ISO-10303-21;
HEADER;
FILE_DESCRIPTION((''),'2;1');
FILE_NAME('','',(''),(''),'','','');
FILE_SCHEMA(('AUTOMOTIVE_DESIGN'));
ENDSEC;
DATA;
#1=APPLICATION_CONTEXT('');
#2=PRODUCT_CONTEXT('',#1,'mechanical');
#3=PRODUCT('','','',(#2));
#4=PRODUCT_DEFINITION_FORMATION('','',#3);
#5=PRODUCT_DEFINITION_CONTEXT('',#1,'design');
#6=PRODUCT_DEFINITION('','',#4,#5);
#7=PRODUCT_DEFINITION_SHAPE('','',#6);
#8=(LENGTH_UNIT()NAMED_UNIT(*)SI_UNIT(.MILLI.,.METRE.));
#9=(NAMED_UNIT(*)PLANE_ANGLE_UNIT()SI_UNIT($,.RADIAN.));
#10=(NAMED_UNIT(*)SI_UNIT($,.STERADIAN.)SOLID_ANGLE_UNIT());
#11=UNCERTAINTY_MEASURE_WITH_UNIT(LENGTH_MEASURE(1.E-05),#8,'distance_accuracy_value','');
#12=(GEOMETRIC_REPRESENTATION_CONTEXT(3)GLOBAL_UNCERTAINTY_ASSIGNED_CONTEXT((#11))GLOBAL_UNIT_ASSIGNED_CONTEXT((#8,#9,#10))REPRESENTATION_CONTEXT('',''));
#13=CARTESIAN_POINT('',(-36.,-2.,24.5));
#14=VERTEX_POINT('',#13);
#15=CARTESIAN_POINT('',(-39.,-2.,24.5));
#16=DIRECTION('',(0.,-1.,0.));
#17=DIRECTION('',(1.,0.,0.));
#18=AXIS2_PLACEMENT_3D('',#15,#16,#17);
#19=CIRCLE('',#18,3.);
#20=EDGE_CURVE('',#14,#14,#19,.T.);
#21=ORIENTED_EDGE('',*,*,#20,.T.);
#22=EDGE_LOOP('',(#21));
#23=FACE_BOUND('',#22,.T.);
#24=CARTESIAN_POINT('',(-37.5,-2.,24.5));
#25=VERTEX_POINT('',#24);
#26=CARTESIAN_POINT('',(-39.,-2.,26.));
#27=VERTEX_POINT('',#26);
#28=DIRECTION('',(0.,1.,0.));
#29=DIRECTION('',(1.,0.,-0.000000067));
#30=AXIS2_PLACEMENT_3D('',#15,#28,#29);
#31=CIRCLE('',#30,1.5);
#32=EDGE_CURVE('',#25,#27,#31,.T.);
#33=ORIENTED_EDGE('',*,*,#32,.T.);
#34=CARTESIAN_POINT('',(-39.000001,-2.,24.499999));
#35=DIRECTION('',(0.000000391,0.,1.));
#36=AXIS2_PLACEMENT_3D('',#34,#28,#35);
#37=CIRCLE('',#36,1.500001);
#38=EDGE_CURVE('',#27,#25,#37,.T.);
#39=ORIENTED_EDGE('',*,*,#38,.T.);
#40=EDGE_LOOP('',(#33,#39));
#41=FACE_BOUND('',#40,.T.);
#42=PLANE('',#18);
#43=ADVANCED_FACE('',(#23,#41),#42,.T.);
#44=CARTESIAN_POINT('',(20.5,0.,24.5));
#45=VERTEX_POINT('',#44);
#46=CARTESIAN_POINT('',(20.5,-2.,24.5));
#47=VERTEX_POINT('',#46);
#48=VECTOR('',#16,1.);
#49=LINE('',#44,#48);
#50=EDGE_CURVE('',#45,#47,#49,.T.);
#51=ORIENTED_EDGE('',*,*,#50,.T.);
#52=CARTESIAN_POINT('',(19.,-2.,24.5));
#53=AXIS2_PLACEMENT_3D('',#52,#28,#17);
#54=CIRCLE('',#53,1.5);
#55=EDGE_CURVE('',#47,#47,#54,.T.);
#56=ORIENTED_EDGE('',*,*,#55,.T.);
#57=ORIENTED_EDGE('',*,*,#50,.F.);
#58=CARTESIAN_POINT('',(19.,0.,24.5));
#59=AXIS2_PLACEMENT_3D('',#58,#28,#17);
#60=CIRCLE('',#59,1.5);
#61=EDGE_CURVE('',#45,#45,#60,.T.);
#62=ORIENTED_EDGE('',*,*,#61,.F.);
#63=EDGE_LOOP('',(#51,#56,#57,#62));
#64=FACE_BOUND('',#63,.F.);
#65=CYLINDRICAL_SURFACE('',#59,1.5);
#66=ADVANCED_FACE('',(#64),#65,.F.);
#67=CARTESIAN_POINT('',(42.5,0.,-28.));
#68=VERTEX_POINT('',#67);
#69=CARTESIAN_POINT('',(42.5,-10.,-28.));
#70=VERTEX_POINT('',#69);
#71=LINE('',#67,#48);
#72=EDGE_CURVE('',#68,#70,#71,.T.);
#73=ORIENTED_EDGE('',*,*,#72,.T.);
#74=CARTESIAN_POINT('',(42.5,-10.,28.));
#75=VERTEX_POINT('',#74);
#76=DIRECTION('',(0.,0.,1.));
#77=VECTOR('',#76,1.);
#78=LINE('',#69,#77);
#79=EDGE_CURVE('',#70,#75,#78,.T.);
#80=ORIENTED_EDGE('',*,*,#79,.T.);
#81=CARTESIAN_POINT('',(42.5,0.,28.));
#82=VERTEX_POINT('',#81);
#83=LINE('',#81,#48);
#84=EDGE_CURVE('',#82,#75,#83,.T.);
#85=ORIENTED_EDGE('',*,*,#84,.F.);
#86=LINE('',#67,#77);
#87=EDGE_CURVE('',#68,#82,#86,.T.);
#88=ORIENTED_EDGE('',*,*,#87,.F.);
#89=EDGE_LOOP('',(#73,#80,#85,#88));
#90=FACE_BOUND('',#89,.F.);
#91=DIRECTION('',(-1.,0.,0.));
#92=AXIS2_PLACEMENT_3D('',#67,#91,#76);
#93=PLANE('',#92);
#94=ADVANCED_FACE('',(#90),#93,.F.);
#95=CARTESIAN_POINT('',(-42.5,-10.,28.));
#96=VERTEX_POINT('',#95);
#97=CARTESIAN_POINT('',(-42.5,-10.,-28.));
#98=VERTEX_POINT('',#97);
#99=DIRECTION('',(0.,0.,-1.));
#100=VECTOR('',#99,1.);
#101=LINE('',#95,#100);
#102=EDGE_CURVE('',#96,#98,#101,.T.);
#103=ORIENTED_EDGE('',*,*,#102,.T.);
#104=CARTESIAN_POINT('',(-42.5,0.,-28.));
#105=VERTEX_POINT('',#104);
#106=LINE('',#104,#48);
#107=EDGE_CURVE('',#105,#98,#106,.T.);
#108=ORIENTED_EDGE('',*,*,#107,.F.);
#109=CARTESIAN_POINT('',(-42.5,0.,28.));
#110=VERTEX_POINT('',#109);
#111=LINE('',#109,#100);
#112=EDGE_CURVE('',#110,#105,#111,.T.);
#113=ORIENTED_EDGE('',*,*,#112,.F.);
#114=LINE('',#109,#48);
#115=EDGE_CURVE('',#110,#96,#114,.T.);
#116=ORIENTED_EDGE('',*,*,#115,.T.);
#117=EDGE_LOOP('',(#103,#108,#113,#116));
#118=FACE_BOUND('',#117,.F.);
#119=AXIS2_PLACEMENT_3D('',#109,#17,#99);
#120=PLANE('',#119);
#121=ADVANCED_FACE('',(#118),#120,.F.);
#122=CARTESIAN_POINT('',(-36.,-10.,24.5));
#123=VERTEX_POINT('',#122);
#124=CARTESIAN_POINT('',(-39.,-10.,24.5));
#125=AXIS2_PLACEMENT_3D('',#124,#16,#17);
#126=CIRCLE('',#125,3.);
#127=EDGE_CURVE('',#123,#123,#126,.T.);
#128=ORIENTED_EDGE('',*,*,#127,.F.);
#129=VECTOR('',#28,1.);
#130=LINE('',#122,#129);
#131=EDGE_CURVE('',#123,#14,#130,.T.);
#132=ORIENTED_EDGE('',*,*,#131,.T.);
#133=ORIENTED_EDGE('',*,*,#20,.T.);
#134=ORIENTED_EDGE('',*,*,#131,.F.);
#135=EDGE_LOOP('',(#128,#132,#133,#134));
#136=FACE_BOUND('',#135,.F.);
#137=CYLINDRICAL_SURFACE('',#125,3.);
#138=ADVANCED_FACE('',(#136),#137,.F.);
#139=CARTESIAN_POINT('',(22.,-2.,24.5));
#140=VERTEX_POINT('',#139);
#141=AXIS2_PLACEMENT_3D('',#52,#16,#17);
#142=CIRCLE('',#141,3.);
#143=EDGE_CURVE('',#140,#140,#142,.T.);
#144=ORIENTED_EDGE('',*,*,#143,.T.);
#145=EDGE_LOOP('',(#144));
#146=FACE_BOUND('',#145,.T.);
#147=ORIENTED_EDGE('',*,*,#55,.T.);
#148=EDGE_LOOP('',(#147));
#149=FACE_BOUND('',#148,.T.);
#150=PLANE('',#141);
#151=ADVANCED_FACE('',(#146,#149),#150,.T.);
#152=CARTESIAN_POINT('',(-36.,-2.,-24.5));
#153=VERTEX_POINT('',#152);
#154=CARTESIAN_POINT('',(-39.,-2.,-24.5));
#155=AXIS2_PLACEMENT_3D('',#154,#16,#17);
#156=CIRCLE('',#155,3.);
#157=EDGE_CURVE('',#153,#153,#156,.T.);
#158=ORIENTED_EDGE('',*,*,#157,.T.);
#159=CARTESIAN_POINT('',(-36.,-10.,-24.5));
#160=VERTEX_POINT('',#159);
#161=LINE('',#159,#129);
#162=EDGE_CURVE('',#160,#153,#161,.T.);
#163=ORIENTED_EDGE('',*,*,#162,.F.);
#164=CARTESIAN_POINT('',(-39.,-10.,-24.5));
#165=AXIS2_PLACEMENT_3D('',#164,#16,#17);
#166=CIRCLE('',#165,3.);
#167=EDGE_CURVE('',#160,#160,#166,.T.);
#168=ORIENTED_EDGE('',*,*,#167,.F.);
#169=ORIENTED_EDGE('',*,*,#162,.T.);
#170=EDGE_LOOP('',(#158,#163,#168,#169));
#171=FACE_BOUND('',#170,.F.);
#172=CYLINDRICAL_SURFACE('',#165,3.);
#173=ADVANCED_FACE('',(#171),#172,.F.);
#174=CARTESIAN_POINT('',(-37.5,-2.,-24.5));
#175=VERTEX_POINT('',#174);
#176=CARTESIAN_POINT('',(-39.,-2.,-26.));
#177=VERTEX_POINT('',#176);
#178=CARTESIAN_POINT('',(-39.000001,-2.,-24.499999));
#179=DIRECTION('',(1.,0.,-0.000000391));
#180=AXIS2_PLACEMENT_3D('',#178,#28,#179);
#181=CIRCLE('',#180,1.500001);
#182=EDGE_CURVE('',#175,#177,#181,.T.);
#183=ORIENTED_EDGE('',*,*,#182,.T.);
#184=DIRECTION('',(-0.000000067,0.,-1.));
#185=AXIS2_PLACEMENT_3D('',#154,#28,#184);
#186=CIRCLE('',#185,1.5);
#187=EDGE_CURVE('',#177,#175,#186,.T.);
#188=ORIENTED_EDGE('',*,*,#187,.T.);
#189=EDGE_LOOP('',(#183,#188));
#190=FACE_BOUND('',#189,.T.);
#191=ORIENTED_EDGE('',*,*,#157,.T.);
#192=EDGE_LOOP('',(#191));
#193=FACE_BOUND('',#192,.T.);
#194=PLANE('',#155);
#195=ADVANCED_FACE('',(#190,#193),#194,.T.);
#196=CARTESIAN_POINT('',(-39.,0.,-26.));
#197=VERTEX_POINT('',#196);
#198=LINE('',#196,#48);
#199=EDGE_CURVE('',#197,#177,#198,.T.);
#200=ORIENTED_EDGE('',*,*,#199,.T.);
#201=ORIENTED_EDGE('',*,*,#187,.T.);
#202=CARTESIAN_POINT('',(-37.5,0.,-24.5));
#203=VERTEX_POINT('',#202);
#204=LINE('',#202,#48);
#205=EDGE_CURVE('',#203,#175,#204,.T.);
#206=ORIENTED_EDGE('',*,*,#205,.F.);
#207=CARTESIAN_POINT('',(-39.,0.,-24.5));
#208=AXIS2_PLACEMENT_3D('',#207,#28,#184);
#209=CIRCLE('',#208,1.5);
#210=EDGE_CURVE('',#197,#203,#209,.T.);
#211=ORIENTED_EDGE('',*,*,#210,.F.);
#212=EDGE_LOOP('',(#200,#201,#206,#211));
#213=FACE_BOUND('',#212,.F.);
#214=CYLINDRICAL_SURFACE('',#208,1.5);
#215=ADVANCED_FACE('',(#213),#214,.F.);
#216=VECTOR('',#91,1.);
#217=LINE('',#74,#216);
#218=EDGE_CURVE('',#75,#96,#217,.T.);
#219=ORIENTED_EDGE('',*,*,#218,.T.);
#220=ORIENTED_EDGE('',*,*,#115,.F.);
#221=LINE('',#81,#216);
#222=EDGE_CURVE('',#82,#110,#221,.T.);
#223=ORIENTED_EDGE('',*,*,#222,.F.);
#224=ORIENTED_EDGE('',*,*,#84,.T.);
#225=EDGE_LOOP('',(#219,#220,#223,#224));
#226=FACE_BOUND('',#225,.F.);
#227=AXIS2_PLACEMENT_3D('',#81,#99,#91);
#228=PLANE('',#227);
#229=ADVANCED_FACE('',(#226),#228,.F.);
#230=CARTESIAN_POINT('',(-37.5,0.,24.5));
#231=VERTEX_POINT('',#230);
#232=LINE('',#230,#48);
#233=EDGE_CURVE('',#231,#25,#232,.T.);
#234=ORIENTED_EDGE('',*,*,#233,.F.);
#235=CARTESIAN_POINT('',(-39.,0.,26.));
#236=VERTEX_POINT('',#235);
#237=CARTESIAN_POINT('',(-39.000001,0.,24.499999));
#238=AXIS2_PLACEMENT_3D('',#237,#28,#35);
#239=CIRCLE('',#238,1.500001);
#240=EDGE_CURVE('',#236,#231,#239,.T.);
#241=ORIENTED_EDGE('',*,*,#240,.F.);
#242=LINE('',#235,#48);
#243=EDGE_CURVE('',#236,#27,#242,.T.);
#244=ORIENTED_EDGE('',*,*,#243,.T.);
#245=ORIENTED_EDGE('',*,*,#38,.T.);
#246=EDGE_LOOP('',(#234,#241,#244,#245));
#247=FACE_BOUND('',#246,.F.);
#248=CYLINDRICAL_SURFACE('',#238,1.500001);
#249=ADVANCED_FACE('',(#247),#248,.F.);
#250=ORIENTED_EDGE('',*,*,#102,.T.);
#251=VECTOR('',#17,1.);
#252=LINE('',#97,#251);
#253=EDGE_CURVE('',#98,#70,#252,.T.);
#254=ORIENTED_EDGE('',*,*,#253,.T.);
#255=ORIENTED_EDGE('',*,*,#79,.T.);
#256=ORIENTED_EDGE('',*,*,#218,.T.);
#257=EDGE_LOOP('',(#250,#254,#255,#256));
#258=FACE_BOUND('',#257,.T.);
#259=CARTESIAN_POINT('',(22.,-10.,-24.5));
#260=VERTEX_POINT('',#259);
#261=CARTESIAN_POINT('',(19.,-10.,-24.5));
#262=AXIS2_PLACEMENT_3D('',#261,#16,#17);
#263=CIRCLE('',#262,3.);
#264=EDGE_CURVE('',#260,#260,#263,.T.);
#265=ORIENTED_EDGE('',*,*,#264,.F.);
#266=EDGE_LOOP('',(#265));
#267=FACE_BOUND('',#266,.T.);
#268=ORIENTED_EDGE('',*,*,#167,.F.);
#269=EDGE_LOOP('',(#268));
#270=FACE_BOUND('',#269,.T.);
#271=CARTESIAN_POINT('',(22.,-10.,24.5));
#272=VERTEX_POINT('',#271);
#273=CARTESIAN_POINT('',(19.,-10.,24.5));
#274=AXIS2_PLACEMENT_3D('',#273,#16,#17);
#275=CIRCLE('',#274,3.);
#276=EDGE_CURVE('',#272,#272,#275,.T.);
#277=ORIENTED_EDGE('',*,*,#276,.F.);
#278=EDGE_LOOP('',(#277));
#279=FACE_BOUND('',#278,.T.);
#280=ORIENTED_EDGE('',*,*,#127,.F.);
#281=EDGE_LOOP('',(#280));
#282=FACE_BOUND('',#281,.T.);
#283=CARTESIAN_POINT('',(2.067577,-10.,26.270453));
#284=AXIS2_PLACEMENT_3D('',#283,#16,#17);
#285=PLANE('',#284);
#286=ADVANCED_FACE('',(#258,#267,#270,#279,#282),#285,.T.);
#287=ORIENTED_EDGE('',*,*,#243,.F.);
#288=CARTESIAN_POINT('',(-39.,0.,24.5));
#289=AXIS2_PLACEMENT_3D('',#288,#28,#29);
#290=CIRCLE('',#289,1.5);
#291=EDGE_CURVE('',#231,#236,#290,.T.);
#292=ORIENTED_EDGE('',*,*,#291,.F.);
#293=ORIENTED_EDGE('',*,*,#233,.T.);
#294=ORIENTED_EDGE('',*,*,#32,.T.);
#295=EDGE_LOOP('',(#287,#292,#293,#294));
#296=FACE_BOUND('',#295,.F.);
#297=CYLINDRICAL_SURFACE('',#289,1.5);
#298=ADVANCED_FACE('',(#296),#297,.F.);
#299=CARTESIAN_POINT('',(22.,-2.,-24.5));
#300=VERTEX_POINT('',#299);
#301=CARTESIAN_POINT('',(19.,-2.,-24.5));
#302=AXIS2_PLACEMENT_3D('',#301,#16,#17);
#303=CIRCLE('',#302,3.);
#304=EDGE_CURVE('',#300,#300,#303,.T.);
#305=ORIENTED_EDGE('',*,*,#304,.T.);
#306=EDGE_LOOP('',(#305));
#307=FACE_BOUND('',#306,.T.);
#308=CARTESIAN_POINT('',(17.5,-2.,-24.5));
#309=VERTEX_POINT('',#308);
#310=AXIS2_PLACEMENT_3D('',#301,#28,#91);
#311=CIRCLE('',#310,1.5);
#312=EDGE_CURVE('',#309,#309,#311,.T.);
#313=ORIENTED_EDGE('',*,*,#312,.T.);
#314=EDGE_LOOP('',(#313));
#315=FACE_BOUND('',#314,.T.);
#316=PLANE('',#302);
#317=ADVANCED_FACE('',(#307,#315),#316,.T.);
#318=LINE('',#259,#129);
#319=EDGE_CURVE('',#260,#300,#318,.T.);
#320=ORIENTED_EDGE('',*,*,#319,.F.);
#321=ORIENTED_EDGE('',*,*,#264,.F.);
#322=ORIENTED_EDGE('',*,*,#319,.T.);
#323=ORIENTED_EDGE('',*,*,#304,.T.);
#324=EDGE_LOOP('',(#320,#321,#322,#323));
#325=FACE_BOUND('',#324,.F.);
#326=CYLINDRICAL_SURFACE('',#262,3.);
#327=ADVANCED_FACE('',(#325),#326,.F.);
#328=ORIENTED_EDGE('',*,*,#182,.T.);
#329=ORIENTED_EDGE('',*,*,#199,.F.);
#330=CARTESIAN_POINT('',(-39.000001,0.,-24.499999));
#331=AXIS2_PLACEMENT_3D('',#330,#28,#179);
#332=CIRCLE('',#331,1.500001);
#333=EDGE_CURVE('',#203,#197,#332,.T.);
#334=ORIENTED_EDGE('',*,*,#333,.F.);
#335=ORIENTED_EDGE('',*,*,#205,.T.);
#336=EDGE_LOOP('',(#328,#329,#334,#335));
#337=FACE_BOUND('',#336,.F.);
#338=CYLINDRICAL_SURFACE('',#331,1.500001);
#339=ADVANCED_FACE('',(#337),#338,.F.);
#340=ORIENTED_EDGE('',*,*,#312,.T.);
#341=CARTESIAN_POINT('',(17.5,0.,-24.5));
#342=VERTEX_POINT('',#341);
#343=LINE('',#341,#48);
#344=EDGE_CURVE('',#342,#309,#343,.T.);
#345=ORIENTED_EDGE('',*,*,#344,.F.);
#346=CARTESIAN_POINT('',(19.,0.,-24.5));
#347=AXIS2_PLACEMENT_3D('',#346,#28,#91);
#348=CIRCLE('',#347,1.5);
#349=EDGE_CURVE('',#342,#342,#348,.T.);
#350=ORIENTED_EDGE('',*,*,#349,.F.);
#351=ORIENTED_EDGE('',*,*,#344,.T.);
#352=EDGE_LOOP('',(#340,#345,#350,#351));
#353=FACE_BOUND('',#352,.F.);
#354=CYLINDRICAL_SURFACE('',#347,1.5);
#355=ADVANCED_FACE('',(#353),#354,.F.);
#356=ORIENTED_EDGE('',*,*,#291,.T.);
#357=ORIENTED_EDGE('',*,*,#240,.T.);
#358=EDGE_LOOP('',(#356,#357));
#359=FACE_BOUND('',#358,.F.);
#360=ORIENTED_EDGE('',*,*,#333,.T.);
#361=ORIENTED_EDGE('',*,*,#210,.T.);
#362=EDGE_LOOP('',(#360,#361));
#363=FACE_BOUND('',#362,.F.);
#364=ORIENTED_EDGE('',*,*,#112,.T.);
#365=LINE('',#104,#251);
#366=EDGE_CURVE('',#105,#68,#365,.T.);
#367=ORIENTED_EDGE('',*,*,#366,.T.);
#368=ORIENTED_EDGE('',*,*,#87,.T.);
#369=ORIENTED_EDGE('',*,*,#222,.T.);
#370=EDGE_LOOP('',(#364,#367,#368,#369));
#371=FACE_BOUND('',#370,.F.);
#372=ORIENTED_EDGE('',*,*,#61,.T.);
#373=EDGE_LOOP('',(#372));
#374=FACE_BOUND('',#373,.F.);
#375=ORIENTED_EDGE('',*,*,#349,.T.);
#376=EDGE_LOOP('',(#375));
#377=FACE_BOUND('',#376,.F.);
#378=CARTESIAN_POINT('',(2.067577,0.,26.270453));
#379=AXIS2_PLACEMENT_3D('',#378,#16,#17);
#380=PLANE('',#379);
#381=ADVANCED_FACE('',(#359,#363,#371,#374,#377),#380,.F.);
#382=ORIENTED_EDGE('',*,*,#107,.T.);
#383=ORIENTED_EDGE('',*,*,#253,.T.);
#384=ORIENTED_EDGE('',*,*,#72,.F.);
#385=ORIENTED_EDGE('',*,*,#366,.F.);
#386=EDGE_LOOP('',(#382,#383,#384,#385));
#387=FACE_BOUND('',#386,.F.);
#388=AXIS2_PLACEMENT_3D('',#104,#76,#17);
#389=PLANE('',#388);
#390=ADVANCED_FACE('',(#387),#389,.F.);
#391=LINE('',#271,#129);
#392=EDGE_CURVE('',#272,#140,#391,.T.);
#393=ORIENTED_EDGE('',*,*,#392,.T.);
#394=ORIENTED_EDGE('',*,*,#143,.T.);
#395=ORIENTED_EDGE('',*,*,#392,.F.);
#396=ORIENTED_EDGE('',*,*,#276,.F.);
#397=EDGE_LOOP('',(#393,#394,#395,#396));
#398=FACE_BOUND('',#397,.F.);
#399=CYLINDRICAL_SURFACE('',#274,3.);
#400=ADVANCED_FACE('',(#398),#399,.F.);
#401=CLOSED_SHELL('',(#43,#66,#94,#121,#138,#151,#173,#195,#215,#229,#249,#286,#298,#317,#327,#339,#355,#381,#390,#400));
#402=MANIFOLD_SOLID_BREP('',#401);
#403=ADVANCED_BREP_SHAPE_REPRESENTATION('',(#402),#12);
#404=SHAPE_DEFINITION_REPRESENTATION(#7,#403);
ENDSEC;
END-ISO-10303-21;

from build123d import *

# Parameters (mm, degrees)
F1_DEPTH = 10
F2_R     = 3
F3_DEPTH = 8


with BuildPart() as f1:
    # F0 (on Front) → F1 (new body)
    with BuildSketch(Plane.XZ):
        with BuildLine():
            Line((42.5, 24.5), (42.5, 28))
            Line((42.5, 28), (-39, 28))
            Line((-39, 28), (-39, 26))
            ThreePointArc((-39, 26), (-37.93934, 25.56066), (-37.5, 24.5))
            Line((-37.5, 24.5), (17.5, 24.5))
            ThreePointArc((17.5, 24.5), (19, 26), (20.5, 24.5))
            Line((20.5, 24.5), (42.5, 24.5))
        make_face()
        with BuildLine():
            ThreePointArc((20.5, -24.5), (19, -23), (17.5, -24.5))
            ThreePointArc((17.5, -24.5), (19, -26), (20.5, -24.5))
        make_face()
        with BuildLine():
            Line((-39, 26), (-39, 28))
            Line((-39, 28), (-42.5, 28))
            Line((-42.5, 28), (-42.5, -28))
            Line((-42.5, -28), (-39, -28))
            Line((-39, -28), (42.5, -28))
            Line((42.5, -28), (42.5, 24.5))
            Line((42.5, 24.5), (20.5, 24.5))
            ThreePointArc((20.5, 24.5), (19, 23), (17.5, 24.5))
            Line((17.5, 24.5), (-37.5, 24.5))
            ThreePointArc((-37.5, 24.5), (-40.06066, 23.43934), (-39, 26))
        make_face()
        with BuildLine():
            ThreePointArc((-37.5, -24.5), (-37.93934, -25.56066), (-39, -26))
            ThreePointArc((-39, -26), (-40.06066, -23.43934), (-37.5, -24.5))
        make_face(mode=Mode.SUBTRACT)
        with BuildLine():
            ThreePointArc((20.5, -24.5), (19, -26), (17.5, -24.5))
            ThreePointArc((17.5, -24.5), (19, -23), (20.5, -24.5))
        make_face(mode=Mode.SUBTRACT)
    extrude(amount=F1_DEPTH)

    # F2 (on face) → F3 (cut)
    with BuildSketch(Plane.XZ.offset(10)):
        with Locations((-39, 24.5)):
            Circle(F2_R)
        with Locations((19, 24.5)):
            Circle(F2_R)
        with Locations((19, -24.5)):
            Circle(F2_R)
        with Locations((-39, -24.5)):
            Circle(F2_R)
    extrude(amount=-F3_DEPTH, mode=Mode.SUBTRACT)


solid = f1.part
